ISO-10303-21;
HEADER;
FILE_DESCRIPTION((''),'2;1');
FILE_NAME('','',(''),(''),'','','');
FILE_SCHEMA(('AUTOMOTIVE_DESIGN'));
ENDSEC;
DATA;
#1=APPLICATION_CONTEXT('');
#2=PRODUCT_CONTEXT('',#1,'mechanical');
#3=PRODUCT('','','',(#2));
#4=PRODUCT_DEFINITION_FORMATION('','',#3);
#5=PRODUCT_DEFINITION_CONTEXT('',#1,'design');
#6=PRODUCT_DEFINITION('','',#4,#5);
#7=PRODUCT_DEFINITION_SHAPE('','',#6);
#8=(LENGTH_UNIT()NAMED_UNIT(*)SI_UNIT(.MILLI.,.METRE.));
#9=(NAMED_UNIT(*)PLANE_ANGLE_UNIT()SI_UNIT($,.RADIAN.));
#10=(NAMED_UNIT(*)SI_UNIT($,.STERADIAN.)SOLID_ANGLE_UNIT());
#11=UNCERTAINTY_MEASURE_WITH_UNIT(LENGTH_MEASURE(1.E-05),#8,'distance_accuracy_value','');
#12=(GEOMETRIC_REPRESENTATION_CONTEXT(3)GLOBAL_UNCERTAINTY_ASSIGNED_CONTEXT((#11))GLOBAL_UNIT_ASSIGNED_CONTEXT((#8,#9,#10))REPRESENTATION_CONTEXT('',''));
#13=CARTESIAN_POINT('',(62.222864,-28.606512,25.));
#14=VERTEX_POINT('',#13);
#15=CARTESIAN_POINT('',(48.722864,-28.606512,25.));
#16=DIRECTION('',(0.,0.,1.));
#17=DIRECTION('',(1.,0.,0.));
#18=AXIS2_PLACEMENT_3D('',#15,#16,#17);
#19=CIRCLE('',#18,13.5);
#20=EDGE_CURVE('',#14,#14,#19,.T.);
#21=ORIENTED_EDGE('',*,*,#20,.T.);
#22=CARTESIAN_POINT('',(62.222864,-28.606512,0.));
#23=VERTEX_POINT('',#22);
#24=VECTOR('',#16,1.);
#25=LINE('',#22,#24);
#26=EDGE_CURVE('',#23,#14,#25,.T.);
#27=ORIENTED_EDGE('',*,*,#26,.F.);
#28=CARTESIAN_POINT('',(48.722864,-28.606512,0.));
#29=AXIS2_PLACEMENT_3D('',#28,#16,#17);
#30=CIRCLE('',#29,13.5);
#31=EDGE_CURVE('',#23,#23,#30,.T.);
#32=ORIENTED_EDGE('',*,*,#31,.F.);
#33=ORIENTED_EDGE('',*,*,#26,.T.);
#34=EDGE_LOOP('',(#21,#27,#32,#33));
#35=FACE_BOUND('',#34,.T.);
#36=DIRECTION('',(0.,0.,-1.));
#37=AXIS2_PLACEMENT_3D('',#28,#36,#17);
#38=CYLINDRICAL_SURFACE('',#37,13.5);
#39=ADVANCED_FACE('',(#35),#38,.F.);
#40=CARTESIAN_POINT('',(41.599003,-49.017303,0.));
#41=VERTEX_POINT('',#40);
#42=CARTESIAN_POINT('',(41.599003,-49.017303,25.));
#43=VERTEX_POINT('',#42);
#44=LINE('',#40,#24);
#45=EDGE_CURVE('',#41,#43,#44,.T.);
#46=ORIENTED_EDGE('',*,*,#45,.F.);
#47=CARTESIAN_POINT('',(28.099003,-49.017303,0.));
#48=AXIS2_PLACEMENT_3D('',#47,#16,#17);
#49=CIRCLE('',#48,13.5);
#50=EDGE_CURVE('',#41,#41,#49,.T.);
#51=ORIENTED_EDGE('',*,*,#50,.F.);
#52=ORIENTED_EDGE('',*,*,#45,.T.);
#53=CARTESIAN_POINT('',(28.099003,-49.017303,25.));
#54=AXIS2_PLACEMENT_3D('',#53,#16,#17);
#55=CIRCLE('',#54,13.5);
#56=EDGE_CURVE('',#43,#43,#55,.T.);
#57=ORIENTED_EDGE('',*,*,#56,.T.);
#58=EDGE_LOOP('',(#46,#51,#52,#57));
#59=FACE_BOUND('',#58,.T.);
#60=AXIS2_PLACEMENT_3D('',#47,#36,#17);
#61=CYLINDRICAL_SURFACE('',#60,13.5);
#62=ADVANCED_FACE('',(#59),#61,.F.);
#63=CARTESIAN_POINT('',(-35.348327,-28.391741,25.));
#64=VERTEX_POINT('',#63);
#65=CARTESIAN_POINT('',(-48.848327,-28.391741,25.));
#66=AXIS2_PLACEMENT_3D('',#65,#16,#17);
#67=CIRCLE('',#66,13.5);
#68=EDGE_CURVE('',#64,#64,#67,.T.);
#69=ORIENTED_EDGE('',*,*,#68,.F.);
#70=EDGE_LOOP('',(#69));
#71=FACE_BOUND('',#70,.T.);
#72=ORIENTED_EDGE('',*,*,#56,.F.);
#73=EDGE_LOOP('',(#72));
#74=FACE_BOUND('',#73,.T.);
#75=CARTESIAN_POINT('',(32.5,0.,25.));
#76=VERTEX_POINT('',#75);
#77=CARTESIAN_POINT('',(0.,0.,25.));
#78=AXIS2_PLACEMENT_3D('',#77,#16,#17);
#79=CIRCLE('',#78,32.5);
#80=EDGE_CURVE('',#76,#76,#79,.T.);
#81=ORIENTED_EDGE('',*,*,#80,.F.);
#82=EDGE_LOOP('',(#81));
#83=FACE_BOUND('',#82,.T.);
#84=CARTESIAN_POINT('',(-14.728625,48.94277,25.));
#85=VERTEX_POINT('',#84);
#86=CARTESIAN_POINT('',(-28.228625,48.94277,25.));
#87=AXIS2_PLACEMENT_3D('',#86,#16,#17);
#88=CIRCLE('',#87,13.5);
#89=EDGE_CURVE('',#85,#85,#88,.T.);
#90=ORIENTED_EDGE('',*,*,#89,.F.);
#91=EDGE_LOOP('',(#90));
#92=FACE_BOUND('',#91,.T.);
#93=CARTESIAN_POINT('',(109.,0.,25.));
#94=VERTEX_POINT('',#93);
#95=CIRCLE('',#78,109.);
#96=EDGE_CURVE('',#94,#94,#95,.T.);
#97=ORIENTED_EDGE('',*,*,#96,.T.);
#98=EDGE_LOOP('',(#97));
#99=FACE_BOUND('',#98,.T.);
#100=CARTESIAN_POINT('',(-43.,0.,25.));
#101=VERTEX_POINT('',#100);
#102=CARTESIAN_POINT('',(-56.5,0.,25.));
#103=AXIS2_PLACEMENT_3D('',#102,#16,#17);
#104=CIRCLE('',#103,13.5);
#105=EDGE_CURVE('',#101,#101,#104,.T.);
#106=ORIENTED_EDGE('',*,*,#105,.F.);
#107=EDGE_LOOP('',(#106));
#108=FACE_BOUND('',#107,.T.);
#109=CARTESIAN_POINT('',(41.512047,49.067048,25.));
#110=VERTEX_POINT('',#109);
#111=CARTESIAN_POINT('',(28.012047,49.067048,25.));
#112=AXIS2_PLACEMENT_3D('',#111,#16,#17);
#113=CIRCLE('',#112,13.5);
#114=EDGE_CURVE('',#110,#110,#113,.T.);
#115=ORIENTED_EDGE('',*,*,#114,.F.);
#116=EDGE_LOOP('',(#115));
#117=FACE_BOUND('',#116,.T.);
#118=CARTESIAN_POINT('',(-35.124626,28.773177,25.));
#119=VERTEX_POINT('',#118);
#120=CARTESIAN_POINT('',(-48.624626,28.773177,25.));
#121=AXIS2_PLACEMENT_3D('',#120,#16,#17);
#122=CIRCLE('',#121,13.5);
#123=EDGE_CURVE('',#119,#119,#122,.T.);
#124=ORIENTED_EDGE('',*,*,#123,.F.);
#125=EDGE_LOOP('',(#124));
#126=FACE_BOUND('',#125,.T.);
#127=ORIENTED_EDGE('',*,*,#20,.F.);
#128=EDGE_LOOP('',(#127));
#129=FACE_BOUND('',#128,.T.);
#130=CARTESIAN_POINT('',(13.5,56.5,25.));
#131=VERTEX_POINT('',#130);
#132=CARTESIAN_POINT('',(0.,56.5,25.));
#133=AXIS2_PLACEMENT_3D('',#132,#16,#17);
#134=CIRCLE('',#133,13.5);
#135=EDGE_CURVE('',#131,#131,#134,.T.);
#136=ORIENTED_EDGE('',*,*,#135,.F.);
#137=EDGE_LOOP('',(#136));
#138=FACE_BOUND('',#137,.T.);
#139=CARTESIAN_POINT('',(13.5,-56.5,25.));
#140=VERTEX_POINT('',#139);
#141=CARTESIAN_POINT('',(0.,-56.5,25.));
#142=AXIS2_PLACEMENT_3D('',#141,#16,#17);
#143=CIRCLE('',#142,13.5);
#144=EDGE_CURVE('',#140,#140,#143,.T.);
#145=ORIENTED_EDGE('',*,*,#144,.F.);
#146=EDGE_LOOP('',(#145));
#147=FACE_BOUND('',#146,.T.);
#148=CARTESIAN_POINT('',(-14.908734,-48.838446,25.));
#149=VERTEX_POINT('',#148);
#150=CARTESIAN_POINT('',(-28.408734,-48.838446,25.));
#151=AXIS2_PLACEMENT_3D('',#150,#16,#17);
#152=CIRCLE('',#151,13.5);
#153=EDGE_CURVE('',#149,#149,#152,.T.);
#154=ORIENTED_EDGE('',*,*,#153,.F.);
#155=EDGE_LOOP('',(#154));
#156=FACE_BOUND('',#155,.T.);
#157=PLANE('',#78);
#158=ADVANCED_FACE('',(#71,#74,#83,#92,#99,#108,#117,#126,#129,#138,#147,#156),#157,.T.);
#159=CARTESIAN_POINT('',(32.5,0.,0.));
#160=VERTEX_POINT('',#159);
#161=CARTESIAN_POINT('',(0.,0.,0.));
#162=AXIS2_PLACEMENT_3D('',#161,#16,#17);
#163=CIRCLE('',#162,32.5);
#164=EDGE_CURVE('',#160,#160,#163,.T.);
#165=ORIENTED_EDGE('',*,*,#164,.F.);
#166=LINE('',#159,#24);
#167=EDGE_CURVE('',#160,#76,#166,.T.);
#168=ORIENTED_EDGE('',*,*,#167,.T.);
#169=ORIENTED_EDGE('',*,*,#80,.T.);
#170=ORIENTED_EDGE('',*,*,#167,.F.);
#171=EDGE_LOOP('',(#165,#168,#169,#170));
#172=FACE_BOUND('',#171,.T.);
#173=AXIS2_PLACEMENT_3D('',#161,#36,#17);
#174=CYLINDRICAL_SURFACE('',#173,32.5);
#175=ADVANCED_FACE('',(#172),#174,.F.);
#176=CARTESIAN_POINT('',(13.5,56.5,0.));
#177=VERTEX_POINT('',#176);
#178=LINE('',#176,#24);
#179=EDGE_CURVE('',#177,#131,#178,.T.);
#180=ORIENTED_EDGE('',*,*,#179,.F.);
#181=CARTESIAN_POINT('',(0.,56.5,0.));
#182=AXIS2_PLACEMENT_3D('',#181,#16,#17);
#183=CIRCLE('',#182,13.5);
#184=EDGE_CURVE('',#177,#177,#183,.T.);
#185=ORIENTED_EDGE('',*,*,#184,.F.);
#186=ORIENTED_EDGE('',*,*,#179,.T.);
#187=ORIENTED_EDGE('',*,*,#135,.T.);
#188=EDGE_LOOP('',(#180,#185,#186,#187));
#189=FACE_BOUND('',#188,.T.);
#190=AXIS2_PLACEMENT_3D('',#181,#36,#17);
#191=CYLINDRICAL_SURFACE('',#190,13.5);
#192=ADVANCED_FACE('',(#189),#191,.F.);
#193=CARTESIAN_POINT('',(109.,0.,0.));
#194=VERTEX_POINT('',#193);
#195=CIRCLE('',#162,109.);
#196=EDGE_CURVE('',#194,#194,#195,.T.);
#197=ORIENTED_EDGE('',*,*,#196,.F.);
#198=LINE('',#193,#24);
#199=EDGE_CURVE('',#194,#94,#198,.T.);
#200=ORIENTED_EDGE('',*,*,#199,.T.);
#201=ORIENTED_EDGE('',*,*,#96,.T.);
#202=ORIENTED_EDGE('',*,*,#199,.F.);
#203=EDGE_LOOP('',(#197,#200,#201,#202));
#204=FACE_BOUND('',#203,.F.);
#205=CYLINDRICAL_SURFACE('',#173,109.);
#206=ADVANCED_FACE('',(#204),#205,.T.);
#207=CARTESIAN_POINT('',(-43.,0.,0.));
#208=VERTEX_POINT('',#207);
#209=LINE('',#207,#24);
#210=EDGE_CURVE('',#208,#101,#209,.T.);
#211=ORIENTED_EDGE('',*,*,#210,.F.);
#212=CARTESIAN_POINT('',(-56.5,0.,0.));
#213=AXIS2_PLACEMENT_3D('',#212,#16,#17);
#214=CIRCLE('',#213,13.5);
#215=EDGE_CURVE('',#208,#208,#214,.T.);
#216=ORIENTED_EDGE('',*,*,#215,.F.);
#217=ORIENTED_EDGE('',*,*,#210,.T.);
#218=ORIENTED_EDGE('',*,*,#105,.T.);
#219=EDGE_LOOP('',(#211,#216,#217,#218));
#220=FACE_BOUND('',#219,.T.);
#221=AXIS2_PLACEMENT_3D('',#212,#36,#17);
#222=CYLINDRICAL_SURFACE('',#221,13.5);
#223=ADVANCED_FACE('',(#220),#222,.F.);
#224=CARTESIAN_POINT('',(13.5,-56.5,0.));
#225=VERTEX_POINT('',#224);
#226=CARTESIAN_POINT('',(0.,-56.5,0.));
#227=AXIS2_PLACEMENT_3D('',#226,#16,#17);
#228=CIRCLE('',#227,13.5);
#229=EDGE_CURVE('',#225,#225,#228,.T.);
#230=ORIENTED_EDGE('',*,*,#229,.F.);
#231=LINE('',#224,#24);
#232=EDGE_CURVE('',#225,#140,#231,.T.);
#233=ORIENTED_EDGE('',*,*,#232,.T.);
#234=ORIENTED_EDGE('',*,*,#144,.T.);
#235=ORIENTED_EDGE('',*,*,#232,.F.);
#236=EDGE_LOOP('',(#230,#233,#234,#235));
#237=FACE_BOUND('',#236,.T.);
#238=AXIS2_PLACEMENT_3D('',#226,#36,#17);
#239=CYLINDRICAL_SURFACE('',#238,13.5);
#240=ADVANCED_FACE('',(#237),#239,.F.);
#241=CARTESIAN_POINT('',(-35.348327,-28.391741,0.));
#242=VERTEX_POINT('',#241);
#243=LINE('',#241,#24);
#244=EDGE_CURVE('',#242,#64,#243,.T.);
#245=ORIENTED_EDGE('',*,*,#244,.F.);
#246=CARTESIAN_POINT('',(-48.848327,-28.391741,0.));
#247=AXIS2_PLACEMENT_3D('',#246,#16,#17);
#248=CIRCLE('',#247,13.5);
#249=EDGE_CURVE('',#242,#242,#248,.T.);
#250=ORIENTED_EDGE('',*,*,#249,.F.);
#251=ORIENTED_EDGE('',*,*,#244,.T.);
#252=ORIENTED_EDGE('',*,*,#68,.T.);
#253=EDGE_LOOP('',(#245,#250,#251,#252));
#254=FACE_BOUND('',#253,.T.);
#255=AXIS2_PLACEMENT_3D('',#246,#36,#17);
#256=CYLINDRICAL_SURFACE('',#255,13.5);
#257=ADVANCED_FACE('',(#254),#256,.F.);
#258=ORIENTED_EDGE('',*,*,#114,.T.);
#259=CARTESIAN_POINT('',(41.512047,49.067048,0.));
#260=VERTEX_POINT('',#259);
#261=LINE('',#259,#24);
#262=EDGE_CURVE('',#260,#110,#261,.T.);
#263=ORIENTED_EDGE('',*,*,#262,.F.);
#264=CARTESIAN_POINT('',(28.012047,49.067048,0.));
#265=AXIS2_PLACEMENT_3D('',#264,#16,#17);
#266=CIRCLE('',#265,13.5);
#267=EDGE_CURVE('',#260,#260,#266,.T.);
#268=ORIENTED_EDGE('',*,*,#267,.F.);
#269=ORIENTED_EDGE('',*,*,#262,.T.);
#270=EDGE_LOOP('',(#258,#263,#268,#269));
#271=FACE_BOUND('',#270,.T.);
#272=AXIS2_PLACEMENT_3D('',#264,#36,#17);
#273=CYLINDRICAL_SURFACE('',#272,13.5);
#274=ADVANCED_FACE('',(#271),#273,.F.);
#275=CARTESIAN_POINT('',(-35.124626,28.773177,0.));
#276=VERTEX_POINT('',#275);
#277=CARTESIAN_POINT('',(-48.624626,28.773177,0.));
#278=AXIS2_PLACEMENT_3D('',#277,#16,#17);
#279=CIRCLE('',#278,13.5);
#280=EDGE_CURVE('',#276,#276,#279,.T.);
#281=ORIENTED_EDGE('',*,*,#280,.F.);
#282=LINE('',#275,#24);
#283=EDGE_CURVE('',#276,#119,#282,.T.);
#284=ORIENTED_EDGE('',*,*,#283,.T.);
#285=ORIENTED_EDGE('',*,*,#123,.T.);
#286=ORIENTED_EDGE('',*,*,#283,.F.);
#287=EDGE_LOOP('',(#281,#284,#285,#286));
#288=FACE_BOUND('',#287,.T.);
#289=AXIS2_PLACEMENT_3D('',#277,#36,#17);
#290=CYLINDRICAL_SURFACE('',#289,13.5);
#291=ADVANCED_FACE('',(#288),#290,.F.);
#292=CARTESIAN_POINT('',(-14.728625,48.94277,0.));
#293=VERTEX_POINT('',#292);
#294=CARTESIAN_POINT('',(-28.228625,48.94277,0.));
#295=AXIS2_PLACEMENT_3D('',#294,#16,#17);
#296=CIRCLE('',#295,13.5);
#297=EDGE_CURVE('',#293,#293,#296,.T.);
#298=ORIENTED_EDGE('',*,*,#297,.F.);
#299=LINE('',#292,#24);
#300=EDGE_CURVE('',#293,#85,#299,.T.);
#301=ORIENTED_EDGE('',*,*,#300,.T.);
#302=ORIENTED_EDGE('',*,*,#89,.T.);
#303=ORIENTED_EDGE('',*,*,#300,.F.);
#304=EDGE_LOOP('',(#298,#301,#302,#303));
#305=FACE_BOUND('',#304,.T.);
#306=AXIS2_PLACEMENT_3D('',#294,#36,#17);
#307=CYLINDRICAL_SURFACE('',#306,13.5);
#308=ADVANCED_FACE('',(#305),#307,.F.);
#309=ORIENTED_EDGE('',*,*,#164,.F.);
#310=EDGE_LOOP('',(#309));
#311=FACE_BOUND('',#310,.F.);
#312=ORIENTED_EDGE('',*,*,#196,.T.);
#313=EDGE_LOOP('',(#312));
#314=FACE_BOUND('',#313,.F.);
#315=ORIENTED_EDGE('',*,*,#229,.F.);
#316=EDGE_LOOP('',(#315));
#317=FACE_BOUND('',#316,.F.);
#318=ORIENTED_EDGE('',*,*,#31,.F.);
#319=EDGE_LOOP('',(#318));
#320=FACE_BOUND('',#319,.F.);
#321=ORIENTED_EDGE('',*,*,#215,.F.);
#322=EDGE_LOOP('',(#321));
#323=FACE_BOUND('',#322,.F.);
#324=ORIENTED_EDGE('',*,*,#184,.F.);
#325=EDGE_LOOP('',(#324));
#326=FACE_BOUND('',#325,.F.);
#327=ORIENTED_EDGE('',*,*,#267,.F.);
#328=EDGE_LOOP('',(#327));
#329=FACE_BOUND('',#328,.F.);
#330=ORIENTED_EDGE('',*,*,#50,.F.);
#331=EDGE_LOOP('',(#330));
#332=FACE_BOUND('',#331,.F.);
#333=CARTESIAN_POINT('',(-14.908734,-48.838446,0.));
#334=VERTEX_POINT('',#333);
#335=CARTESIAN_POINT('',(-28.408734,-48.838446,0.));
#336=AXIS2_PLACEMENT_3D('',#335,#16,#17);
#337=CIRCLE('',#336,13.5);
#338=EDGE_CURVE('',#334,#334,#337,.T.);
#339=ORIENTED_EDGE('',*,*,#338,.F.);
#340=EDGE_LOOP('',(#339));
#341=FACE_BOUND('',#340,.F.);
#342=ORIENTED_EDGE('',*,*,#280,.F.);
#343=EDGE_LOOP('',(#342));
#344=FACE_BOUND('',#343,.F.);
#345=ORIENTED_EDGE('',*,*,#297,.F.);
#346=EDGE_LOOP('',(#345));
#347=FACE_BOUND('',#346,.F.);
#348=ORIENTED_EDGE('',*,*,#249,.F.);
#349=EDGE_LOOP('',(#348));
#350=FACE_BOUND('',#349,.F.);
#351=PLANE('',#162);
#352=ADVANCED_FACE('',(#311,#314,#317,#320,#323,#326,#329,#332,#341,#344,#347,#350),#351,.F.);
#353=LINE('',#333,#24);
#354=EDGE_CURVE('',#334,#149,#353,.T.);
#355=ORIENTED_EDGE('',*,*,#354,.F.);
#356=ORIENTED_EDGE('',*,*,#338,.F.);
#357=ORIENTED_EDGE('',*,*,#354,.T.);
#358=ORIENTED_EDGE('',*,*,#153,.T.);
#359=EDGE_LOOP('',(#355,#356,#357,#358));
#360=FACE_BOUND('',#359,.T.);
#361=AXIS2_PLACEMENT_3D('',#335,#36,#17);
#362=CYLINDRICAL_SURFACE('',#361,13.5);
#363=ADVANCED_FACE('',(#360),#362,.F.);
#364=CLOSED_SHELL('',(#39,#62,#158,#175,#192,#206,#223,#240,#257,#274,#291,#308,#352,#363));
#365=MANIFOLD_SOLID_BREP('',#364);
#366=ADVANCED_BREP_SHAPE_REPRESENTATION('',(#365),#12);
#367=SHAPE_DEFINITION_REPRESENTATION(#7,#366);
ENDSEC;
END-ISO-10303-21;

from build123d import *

# Parameters (mm, degrees)
F0_R     = 109
F0_R_2   = 75
F0_R_3   = 13.5
F0_R_4   = 37.5
F0_R_5   = 32.5
F1_DEPTH = 25


with BuildPart() as f1:
    # F0 (on Top) → F1 (new body)
    with BuildSketch(Plane.XY):
        Circle(F0_R)
        Circle(F0_R_2, mode=Mode.SUBTRACT)
        Circle(F0_R_2)
        with Locations((-28.408734, -48.838446)):
            Circle(F0_R_3, mode=Mode.SUBTRACT)
        with Locations((-48.848327, -28.391741)):
            Circle(F0_R_3, mode=Mode.SUBTRACT)
        with Locations((0, -56.5)):
            Circle(F0_R_3, mode=Mode.SUBTRACT)
        with Locations((28.099003, -49.017303)):
            Circle(F0_R_3, mode=Mode.SUBTRACT)
        with Locations((48.722864, -28.606512)):
            Circle(F0_R_3, mode=Mode.SUBTRACT)
        with Locations((-56.5, 0)):
            Circle(F0_R_3, mode=Mode.SUBTRACT)
        with Locations((-48.624626, 28.773177)):
            Circle(F0_R_3, mode=Mode.SUBTRACT)
        with Locations((-28.228625, 48.94277)):
            Circle(F0_R_3, mode=Mode.SUBTRACT)
        Circle(F0_R_4, mode=Mode.SUBTRACT)
        with Locations((28.012047, 49.067048)):
            Circle(F0_R_3, mode=Mode.SUBTRACT)
        with Locations((0, 56.5)):
            Circle(F0_R_3, mode=Mode.SUBTRACT)
        Circle(F0_R_4)
        Circle(F0_R_5, mode=Mode.SUBTRACT)
    extrude(amount=F1_DEPTH)


solid = f1.part
